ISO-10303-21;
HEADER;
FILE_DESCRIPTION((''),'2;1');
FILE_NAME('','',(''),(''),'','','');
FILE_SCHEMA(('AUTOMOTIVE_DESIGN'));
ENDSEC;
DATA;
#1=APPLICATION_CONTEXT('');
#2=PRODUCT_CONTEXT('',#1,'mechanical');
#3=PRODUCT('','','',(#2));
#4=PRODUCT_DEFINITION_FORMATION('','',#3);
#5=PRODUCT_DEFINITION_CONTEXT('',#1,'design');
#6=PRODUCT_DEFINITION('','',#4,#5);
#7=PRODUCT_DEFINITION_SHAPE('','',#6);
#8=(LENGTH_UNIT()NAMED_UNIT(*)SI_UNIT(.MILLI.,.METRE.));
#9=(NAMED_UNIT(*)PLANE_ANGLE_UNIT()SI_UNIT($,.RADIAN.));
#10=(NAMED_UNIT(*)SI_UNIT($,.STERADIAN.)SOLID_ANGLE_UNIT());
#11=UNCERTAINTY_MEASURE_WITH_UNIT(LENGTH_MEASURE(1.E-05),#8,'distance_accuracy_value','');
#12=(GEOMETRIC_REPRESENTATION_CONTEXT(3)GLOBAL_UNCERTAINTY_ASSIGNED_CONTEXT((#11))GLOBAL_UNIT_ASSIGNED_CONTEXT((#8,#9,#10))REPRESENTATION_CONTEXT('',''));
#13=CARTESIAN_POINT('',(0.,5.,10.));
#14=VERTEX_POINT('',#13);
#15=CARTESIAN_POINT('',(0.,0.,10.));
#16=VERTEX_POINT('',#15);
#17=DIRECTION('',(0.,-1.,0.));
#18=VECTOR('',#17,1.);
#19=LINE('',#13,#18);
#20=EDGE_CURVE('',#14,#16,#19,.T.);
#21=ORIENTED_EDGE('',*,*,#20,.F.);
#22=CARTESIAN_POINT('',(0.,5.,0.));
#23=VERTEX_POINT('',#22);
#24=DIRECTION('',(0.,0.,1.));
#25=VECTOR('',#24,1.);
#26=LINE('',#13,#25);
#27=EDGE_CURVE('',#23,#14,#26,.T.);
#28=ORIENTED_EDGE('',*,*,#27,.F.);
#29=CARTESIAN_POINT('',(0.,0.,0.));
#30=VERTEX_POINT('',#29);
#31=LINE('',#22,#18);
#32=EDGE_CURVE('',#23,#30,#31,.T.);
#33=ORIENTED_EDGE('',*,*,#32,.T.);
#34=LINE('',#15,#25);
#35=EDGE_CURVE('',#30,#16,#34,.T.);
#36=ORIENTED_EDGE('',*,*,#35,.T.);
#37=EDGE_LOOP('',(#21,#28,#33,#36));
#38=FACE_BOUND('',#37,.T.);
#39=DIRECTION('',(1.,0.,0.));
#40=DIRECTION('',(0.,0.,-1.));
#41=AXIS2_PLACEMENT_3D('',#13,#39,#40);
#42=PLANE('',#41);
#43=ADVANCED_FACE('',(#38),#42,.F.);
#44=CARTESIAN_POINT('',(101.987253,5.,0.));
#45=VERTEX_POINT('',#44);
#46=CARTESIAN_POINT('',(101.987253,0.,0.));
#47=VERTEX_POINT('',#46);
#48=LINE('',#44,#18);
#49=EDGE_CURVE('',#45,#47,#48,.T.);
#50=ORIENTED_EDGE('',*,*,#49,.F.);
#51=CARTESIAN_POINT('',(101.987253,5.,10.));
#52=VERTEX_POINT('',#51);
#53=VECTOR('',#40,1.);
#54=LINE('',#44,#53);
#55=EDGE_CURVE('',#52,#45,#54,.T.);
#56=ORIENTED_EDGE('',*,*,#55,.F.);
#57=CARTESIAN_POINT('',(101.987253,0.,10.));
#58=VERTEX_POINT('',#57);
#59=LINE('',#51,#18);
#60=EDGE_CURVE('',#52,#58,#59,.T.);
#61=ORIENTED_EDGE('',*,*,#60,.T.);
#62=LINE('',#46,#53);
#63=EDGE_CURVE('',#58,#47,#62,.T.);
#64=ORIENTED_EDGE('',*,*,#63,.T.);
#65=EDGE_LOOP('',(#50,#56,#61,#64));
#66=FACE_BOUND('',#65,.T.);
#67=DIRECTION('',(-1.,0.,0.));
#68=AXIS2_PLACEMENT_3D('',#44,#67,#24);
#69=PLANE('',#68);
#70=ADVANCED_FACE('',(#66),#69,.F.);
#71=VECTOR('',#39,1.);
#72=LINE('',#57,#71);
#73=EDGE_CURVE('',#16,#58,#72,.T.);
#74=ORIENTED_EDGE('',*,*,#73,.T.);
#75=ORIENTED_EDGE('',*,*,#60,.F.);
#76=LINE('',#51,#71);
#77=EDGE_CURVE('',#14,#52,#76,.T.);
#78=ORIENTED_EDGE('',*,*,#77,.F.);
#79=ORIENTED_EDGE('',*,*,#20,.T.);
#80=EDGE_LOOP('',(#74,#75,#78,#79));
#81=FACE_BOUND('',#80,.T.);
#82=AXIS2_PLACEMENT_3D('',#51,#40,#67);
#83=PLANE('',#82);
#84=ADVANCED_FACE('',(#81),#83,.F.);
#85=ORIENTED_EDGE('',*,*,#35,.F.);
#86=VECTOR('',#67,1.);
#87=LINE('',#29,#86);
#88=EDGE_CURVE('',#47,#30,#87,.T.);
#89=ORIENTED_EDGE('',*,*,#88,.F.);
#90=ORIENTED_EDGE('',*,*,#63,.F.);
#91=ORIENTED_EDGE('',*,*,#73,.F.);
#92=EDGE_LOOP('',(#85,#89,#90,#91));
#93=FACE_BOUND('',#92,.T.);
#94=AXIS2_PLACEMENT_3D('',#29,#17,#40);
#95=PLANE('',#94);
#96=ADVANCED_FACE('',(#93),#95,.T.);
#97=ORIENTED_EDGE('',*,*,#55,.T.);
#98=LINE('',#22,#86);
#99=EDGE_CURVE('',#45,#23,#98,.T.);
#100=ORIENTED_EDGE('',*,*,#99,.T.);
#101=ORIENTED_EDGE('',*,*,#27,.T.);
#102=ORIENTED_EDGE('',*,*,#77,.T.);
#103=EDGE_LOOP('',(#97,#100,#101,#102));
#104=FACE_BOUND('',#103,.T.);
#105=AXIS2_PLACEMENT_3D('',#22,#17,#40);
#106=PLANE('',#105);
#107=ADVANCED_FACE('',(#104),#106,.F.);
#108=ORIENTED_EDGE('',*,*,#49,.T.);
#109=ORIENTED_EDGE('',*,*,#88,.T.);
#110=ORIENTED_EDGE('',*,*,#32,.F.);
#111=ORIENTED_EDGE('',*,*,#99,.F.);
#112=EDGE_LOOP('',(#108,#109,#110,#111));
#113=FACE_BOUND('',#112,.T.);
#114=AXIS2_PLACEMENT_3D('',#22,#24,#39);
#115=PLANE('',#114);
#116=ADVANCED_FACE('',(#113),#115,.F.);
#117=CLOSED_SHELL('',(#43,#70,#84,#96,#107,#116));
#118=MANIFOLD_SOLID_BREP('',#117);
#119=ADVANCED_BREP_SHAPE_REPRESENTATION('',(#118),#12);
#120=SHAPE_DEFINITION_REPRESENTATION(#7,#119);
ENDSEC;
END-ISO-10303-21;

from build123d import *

# Parameters (mm, degrees)
SKETCH_1_W      = 101.987252732
SKETCH_1_H      = 10
EXTRUDE_1_DEPTH = 5


with BuildPart() as part:
    # 草图1 → 凸台-拉伸1 (new body)
    with BuildSketch(Plane(origin=(0, 0, 0), x_dir=(1, 0, 0), z_dir=(0, 1, 0))):
        with Locations((50.993626366, -5)):
            Rectangle(SKETCH_1_W, SKETCH_1_H)
    extrude(amount=EXTRUDE_1_DEPTH)


solid = part.part
